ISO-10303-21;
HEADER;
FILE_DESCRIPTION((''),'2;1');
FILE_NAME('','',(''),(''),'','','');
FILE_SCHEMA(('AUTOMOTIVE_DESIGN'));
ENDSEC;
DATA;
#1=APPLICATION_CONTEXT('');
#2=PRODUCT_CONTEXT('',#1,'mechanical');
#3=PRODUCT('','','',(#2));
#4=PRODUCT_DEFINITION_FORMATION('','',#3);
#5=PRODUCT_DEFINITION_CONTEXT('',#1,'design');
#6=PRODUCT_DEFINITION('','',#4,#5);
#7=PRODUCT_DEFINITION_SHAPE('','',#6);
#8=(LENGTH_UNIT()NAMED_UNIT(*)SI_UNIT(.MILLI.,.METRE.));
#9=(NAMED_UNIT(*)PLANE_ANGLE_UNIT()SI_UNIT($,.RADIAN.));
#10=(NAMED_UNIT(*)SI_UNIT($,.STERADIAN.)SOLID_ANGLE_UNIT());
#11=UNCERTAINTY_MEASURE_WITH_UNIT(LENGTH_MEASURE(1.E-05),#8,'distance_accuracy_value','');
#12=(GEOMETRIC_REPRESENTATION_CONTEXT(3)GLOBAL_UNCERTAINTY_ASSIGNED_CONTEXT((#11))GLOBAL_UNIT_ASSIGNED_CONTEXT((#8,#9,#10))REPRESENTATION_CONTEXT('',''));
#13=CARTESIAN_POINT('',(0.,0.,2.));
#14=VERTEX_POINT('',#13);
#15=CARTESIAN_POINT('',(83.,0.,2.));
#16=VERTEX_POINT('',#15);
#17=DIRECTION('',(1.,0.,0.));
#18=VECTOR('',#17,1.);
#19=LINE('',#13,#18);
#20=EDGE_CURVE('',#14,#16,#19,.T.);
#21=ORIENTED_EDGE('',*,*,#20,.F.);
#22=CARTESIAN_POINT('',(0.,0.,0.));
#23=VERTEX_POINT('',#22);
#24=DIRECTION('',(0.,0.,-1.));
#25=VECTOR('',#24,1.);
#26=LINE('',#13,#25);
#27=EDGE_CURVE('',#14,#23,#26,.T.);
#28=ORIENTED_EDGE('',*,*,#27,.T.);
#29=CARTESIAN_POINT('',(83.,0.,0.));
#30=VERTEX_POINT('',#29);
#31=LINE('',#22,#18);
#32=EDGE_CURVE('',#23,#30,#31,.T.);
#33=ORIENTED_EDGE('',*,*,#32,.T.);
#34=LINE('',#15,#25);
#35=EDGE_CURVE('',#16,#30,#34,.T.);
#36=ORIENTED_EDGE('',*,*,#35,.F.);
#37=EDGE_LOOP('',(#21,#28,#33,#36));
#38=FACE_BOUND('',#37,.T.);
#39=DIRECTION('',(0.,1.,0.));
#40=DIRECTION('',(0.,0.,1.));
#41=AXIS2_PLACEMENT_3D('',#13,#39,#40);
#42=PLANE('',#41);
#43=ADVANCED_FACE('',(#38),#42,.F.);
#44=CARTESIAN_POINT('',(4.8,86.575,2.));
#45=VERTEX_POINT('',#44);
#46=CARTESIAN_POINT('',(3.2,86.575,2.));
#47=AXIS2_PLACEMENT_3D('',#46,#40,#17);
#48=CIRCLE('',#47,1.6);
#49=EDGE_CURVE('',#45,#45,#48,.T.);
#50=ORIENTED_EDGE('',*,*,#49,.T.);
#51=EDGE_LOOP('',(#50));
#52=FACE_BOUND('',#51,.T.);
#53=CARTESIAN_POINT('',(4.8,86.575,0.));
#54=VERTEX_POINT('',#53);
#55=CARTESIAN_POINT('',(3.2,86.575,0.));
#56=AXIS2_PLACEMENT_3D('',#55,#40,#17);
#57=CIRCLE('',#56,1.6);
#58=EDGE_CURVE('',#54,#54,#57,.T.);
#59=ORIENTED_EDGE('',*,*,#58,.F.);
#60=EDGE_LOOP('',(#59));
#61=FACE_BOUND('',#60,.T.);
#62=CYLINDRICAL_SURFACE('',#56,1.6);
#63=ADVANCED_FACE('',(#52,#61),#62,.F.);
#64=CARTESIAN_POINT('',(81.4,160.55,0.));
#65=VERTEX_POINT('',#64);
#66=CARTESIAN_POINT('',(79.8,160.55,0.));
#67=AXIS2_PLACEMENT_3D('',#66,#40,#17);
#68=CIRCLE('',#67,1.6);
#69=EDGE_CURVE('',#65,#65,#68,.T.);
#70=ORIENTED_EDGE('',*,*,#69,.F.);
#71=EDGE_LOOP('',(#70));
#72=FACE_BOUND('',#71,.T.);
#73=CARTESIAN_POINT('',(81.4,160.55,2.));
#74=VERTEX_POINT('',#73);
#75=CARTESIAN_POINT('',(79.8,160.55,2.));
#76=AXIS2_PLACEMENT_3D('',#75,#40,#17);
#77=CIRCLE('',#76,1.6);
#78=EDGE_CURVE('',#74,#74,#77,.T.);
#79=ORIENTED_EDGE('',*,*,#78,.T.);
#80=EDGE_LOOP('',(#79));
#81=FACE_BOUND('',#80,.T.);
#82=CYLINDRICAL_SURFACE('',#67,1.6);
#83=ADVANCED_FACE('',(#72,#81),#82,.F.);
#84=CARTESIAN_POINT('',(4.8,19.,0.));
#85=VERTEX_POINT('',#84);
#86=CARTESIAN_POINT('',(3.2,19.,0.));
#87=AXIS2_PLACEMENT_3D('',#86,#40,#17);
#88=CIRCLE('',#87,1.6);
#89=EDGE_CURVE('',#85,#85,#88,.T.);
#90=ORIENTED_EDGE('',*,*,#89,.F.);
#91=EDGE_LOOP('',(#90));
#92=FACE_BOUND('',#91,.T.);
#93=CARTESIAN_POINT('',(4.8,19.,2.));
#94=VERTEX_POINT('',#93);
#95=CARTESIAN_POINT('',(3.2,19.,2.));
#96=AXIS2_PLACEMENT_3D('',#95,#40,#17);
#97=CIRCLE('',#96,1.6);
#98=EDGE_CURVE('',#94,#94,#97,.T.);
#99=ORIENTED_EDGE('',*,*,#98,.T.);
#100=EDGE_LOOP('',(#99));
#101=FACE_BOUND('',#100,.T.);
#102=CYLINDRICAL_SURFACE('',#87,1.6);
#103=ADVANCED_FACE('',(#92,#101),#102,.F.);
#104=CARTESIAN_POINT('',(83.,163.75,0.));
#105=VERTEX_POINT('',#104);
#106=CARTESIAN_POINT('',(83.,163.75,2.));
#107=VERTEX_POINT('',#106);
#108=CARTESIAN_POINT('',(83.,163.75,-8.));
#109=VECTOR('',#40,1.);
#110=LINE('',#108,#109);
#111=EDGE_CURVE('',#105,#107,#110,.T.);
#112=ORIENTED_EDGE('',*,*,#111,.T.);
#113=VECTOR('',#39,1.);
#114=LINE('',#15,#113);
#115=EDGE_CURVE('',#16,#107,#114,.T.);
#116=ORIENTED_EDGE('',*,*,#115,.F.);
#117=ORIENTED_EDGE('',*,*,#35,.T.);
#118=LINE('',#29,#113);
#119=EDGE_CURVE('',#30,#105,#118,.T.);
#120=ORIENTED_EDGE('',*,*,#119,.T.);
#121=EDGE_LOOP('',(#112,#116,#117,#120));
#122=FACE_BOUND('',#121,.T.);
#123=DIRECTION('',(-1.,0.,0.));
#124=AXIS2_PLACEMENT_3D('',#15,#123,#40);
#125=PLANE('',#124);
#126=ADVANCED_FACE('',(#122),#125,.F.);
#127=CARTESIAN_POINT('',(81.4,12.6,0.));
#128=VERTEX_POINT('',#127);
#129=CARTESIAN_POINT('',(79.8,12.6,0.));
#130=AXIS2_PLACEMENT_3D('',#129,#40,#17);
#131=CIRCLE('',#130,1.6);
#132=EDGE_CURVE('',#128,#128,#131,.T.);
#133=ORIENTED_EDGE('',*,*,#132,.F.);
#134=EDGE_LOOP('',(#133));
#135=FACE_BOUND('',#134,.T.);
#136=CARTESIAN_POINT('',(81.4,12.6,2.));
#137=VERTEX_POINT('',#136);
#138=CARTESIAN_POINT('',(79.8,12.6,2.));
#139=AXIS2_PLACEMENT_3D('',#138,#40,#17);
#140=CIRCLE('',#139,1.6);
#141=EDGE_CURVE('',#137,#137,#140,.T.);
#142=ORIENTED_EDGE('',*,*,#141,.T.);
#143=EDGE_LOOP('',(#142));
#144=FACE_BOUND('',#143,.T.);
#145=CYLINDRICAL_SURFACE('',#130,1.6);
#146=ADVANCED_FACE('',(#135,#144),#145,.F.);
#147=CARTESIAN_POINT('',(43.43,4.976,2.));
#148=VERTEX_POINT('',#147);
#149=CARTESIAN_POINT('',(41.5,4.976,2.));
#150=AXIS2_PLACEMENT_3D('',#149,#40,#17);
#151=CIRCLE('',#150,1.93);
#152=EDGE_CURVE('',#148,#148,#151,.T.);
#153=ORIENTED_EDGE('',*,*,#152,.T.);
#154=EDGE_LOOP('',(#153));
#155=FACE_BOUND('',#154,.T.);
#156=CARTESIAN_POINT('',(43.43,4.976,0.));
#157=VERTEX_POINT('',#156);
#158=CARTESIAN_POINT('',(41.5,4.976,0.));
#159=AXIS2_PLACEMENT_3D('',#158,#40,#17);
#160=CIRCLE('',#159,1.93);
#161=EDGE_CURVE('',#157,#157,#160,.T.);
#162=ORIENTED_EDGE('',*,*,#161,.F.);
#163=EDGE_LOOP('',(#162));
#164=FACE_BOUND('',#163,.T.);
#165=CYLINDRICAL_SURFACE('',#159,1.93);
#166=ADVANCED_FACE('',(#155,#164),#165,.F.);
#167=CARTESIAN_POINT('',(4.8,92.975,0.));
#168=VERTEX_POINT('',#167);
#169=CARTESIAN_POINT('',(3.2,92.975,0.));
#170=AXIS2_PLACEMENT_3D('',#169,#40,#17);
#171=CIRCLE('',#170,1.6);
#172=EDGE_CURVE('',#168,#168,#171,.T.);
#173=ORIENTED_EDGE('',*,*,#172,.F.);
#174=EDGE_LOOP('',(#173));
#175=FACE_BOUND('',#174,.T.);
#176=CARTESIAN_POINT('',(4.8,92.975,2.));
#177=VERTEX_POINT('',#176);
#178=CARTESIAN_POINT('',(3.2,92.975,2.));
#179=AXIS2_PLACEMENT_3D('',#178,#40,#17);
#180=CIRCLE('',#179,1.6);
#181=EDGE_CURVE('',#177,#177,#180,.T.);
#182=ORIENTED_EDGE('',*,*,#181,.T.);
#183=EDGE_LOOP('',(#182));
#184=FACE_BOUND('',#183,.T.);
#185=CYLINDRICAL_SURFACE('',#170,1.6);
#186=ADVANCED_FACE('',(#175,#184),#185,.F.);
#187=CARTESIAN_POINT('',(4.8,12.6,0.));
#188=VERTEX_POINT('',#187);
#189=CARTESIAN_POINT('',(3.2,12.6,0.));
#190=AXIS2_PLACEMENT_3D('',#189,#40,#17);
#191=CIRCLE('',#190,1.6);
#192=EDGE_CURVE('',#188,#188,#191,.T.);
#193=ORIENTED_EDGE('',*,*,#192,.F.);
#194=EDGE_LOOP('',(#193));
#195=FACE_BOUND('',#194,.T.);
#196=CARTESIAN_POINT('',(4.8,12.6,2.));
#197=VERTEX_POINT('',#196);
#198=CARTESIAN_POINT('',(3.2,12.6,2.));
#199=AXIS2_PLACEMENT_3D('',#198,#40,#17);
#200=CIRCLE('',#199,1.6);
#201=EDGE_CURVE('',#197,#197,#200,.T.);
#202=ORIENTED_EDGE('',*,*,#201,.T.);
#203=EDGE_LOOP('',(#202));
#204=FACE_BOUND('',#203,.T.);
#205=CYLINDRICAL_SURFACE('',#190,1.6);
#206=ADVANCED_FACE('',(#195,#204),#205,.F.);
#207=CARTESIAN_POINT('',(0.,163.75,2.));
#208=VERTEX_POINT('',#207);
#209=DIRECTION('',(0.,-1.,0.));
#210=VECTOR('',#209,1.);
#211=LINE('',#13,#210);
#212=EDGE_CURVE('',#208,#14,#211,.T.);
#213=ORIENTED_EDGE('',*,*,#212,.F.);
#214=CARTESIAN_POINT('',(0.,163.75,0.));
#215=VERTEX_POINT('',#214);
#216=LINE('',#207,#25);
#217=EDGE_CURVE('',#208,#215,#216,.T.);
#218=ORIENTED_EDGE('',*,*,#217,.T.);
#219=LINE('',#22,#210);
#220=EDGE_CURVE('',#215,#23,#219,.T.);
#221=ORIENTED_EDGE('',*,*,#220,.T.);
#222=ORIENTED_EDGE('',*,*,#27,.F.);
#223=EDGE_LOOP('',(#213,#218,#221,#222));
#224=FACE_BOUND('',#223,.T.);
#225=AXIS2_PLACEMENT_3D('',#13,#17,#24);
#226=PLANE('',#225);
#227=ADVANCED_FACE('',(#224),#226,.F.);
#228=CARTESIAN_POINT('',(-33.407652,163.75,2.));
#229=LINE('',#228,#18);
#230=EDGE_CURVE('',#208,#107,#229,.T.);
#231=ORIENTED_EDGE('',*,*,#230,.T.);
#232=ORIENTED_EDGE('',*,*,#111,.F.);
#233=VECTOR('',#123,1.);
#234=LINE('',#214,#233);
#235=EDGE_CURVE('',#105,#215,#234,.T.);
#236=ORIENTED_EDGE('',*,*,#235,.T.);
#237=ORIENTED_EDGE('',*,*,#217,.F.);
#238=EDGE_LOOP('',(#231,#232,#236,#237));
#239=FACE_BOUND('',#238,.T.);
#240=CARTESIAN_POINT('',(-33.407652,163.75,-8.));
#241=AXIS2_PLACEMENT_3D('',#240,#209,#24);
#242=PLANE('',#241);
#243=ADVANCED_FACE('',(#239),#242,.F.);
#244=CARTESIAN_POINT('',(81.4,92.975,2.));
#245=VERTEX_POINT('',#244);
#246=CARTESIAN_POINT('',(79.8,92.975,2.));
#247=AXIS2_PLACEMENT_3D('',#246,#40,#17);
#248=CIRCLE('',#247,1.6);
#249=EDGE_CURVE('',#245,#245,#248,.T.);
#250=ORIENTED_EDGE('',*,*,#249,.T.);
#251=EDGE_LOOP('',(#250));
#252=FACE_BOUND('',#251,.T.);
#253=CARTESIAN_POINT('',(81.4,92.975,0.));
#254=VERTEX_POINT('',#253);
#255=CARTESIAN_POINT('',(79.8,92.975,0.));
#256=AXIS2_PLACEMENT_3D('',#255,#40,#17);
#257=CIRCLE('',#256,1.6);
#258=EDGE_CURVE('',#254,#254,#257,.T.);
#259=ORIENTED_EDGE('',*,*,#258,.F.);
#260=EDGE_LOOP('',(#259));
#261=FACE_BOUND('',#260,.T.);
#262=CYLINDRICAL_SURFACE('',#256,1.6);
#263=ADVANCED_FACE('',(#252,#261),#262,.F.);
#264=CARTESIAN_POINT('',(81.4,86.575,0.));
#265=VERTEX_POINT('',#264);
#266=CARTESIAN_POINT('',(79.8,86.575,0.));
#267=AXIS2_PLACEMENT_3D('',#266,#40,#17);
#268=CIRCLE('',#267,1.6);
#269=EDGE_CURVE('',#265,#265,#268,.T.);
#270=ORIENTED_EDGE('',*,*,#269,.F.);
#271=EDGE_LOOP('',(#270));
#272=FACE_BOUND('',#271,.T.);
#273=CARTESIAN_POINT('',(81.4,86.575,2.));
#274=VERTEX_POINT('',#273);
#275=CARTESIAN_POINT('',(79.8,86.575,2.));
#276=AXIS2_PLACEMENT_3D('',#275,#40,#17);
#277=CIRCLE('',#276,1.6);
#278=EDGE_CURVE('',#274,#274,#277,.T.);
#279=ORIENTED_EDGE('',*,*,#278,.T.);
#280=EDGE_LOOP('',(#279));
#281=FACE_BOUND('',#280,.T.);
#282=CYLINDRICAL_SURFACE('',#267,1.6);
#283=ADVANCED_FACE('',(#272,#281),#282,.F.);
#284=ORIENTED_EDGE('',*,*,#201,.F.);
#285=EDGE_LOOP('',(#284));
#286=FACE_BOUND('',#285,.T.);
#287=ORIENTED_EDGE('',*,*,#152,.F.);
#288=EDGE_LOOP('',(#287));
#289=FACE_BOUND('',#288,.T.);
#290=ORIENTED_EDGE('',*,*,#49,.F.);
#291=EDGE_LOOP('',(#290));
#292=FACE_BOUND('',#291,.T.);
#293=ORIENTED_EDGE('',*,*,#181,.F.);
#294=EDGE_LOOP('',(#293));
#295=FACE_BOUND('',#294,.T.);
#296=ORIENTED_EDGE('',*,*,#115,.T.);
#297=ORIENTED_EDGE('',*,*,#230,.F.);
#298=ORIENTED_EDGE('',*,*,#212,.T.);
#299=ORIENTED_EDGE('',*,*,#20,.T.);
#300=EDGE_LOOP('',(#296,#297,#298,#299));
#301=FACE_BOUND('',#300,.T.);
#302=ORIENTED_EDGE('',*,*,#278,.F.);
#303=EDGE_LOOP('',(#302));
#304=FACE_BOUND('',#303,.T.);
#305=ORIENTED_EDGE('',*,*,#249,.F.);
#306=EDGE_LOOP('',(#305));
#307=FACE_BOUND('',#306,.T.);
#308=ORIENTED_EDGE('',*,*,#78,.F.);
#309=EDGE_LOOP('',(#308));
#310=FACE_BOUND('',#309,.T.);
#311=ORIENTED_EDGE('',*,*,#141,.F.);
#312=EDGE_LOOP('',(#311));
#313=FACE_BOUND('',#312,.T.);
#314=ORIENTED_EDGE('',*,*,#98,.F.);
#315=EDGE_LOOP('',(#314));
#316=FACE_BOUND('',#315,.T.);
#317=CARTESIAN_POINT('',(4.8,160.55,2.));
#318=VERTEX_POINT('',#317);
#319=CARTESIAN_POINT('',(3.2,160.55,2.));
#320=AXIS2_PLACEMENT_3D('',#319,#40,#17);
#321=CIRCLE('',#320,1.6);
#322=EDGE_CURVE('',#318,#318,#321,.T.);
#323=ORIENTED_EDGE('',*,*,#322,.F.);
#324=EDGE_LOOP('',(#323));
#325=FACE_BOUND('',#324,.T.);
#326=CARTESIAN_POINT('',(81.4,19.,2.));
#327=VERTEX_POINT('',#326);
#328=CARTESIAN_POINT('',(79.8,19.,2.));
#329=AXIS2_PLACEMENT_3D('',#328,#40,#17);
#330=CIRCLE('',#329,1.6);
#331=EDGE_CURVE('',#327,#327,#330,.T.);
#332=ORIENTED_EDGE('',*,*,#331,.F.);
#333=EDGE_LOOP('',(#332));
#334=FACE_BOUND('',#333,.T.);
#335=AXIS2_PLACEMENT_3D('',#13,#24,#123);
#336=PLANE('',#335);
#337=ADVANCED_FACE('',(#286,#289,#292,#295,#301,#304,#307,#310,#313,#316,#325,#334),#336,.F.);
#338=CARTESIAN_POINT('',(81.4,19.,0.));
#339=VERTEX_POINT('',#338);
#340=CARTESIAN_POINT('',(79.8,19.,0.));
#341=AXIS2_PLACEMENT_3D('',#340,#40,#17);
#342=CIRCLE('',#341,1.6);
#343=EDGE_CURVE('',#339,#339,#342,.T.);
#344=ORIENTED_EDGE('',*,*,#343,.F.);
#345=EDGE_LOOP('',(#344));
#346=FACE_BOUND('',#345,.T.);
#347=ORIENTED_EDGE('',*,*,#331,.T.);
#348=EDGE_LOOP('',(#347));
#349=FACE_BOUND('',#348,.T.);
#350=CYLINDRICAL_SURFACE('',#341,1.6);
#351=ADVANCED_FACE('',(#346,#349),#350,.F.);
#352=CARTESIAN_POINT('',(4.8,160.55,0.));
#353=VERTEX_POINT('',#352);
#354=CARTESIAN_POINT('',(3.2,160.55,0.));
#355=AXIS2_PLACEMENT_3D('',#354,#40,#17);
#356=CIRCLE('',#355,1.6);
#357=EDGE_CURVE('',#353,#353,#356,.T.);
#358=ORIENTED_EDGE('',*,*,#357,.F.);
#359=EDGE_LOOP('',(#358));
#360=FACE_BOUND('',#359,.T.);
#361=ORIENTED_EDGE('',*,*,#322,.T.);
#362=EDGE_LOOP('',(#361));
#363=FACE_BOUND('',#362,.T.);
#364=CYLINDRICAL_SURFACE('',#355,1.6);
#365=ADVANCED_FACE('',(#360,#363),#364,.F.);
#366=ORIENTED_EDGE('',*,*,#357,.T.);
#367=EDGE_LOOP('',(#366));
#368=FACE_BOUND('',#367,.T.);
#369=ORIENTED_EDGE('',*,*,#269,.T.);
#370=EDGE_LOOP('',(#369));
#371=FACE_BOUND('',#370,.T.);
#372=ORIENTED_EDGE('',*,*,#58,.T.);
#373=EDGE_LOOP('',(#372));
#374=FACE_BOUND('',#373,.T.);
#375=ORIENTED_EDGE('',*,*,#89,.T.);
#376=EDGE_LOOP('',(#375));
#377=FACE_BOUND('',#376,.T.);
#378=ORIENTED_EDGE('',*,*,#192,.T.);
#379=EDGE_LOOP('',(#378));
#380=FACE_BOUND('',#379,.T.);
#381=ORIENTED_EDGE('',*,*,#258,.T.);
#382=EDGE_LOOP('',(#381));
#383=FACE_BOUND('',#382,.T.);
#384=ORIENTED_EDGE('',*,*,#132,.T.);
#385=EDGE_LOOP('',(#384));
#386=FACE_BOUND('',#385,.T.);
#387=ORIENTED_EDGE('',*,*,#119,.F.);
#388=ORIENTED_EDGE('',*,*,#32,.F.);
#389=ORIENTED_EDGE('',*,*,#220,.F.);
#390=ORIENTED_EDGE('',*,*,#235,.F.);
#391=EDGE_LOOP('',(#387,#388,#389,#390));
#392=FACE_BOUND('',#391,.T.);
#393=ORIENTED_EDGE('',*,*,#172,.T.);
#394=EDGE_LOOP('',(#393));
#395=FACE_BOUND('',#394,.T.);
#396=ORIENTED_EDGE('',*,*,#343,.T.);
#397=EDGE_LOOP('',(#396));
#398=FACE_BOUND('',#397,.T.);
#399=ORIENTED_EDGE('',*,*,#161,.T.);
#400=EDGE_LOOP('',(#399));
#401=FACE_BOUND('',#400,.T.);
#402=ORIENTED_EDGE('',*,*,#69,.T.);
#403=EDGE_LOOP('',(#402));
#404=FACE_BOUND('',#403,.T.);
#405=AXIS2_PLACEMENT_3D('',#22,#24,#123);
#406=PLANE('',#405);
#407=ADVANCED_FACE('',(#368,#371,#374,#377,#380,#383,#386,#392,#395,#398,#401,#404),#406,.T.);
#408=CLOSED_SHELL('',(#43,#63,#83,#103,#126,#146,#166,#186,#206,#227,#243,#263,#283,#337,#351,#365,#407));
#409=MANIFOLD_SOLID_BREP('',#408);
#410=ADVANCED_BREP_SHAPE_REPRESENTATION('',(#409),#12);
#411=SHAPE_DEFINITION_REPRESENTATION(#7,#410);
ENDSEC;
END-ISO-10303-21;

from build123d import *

# Parameters (mm, degrees)
SKETCH1_W           = 83
SKETCH1_H           = 327.5
BOSS_EXTRUDE1_DEPTH = 2
SKETCH2_R           = 1.6
CUT_EXTRUDE1_DEPTH  = 2
SKETCH3_R           = 1.93
CUT_EXTRUDE2_DEPTH  = 2
SKETCH4_W           = 116.407651787
SKETCH4_H           = 181.18090695
CUT_EXTRUDE3_DEPTH  = 10


with BuildPart() as part:
    # Sketch1 → Boss-Extrude1 (new body)
    with BuildSketch(Plane.XY):
        with Locations((41.5, 163.75)):
            Rectangle(SKETCH1_W, SKETCH1_H)
    extrude(amount=BOSS_EXTRUDE1_DEPTH)

    # Sketch2 → Cut-Extrude1 (cut)
    with BuildSketch(Plane.XY.offset(2)):
        with Locations((3.2, 314.9)):
            Circle(SKETCH2_R)
        with Locations((3.2, 308.5)):
            Circle(SKETCH2_R)
        with Locations((79.8, 314.9)):
            Circle(SKETCH2_R)
        with Locations((79.8, 308.5)):
            Circle(SKETCH2_R)
        with Locations((3.2, 240.925)):
            Circle(SKETCH2_R)
        with Locations((3.2, 234.525)):
            Circle(SKETCH2_R)
        with Locations((79.8, 240.925)):
            Circle(SKETCH2_R)
        with Locations((79.8, 234.525)):
            Circle(SKETCH2_R)
        with Locations((3.2, 166.95)):
            Circle(SKETCH2_R)
        with Locations((3.2, 160.55)):
            Circle(SKETCH2_R)
        with Locations((79.8, 166.95)):
            Circle(SKETCH2_R)
        with Locations((79.8, 160.55)):
            Circle(SKETCH2_R)
        with Locations((3.2, 92.975)):
            Circle(SKETCH2_R)
        with Locations((3.2, 86.575)):
            Circle(SKETCH2_R)
        with Locations((79.8, 92.975)):
            Circle(SKETCH2_R)
        with Locations((79.8, 86.575)):
            Circle(SKETCH2_R)
        with Locations((3.2, 19)):
            Circle(SKETCH2_R)
        with Locations((3.2, 12.6)):
            Circle(SKETCH2_R)
        with Locations((79.8, 19)):
            Circle(SKETCH2_R)
        with Locations((79.8, 12.6)):
            Circle(SKETCH2_R)
    extrude(amount=-CUT_EXTRUDE1_DEPTH, mode=Mode.SUBTRACT)

    # Sketch3 → Cut-Extrude2 (cut)
    with BuildSketch(Plane.XY.offset(2)):
        with Locations((41.5, 322.524)):
            Circle(SKETCH3_R)
        with Locations((41.5, 4.976)):
            Circle(SKETCH3_R)
    extrude(amount=-CUT_EXTRUDE2_DEPTH, mode=Mode.SUBTRACT)

    # Sketch4 → Cut-Extrude3 (cut)
    with BuildSketch(Plane.XY.offset(2)):
        with Locations((24.796174107, 254.340453475)):
            Rectangle(SKETCH4_W, SKETCH4_H)
    extrude(amount=-CUT_EXTRUDE3_DEPTH, mode=Mode.SUBTRACT)


solid = part.part
